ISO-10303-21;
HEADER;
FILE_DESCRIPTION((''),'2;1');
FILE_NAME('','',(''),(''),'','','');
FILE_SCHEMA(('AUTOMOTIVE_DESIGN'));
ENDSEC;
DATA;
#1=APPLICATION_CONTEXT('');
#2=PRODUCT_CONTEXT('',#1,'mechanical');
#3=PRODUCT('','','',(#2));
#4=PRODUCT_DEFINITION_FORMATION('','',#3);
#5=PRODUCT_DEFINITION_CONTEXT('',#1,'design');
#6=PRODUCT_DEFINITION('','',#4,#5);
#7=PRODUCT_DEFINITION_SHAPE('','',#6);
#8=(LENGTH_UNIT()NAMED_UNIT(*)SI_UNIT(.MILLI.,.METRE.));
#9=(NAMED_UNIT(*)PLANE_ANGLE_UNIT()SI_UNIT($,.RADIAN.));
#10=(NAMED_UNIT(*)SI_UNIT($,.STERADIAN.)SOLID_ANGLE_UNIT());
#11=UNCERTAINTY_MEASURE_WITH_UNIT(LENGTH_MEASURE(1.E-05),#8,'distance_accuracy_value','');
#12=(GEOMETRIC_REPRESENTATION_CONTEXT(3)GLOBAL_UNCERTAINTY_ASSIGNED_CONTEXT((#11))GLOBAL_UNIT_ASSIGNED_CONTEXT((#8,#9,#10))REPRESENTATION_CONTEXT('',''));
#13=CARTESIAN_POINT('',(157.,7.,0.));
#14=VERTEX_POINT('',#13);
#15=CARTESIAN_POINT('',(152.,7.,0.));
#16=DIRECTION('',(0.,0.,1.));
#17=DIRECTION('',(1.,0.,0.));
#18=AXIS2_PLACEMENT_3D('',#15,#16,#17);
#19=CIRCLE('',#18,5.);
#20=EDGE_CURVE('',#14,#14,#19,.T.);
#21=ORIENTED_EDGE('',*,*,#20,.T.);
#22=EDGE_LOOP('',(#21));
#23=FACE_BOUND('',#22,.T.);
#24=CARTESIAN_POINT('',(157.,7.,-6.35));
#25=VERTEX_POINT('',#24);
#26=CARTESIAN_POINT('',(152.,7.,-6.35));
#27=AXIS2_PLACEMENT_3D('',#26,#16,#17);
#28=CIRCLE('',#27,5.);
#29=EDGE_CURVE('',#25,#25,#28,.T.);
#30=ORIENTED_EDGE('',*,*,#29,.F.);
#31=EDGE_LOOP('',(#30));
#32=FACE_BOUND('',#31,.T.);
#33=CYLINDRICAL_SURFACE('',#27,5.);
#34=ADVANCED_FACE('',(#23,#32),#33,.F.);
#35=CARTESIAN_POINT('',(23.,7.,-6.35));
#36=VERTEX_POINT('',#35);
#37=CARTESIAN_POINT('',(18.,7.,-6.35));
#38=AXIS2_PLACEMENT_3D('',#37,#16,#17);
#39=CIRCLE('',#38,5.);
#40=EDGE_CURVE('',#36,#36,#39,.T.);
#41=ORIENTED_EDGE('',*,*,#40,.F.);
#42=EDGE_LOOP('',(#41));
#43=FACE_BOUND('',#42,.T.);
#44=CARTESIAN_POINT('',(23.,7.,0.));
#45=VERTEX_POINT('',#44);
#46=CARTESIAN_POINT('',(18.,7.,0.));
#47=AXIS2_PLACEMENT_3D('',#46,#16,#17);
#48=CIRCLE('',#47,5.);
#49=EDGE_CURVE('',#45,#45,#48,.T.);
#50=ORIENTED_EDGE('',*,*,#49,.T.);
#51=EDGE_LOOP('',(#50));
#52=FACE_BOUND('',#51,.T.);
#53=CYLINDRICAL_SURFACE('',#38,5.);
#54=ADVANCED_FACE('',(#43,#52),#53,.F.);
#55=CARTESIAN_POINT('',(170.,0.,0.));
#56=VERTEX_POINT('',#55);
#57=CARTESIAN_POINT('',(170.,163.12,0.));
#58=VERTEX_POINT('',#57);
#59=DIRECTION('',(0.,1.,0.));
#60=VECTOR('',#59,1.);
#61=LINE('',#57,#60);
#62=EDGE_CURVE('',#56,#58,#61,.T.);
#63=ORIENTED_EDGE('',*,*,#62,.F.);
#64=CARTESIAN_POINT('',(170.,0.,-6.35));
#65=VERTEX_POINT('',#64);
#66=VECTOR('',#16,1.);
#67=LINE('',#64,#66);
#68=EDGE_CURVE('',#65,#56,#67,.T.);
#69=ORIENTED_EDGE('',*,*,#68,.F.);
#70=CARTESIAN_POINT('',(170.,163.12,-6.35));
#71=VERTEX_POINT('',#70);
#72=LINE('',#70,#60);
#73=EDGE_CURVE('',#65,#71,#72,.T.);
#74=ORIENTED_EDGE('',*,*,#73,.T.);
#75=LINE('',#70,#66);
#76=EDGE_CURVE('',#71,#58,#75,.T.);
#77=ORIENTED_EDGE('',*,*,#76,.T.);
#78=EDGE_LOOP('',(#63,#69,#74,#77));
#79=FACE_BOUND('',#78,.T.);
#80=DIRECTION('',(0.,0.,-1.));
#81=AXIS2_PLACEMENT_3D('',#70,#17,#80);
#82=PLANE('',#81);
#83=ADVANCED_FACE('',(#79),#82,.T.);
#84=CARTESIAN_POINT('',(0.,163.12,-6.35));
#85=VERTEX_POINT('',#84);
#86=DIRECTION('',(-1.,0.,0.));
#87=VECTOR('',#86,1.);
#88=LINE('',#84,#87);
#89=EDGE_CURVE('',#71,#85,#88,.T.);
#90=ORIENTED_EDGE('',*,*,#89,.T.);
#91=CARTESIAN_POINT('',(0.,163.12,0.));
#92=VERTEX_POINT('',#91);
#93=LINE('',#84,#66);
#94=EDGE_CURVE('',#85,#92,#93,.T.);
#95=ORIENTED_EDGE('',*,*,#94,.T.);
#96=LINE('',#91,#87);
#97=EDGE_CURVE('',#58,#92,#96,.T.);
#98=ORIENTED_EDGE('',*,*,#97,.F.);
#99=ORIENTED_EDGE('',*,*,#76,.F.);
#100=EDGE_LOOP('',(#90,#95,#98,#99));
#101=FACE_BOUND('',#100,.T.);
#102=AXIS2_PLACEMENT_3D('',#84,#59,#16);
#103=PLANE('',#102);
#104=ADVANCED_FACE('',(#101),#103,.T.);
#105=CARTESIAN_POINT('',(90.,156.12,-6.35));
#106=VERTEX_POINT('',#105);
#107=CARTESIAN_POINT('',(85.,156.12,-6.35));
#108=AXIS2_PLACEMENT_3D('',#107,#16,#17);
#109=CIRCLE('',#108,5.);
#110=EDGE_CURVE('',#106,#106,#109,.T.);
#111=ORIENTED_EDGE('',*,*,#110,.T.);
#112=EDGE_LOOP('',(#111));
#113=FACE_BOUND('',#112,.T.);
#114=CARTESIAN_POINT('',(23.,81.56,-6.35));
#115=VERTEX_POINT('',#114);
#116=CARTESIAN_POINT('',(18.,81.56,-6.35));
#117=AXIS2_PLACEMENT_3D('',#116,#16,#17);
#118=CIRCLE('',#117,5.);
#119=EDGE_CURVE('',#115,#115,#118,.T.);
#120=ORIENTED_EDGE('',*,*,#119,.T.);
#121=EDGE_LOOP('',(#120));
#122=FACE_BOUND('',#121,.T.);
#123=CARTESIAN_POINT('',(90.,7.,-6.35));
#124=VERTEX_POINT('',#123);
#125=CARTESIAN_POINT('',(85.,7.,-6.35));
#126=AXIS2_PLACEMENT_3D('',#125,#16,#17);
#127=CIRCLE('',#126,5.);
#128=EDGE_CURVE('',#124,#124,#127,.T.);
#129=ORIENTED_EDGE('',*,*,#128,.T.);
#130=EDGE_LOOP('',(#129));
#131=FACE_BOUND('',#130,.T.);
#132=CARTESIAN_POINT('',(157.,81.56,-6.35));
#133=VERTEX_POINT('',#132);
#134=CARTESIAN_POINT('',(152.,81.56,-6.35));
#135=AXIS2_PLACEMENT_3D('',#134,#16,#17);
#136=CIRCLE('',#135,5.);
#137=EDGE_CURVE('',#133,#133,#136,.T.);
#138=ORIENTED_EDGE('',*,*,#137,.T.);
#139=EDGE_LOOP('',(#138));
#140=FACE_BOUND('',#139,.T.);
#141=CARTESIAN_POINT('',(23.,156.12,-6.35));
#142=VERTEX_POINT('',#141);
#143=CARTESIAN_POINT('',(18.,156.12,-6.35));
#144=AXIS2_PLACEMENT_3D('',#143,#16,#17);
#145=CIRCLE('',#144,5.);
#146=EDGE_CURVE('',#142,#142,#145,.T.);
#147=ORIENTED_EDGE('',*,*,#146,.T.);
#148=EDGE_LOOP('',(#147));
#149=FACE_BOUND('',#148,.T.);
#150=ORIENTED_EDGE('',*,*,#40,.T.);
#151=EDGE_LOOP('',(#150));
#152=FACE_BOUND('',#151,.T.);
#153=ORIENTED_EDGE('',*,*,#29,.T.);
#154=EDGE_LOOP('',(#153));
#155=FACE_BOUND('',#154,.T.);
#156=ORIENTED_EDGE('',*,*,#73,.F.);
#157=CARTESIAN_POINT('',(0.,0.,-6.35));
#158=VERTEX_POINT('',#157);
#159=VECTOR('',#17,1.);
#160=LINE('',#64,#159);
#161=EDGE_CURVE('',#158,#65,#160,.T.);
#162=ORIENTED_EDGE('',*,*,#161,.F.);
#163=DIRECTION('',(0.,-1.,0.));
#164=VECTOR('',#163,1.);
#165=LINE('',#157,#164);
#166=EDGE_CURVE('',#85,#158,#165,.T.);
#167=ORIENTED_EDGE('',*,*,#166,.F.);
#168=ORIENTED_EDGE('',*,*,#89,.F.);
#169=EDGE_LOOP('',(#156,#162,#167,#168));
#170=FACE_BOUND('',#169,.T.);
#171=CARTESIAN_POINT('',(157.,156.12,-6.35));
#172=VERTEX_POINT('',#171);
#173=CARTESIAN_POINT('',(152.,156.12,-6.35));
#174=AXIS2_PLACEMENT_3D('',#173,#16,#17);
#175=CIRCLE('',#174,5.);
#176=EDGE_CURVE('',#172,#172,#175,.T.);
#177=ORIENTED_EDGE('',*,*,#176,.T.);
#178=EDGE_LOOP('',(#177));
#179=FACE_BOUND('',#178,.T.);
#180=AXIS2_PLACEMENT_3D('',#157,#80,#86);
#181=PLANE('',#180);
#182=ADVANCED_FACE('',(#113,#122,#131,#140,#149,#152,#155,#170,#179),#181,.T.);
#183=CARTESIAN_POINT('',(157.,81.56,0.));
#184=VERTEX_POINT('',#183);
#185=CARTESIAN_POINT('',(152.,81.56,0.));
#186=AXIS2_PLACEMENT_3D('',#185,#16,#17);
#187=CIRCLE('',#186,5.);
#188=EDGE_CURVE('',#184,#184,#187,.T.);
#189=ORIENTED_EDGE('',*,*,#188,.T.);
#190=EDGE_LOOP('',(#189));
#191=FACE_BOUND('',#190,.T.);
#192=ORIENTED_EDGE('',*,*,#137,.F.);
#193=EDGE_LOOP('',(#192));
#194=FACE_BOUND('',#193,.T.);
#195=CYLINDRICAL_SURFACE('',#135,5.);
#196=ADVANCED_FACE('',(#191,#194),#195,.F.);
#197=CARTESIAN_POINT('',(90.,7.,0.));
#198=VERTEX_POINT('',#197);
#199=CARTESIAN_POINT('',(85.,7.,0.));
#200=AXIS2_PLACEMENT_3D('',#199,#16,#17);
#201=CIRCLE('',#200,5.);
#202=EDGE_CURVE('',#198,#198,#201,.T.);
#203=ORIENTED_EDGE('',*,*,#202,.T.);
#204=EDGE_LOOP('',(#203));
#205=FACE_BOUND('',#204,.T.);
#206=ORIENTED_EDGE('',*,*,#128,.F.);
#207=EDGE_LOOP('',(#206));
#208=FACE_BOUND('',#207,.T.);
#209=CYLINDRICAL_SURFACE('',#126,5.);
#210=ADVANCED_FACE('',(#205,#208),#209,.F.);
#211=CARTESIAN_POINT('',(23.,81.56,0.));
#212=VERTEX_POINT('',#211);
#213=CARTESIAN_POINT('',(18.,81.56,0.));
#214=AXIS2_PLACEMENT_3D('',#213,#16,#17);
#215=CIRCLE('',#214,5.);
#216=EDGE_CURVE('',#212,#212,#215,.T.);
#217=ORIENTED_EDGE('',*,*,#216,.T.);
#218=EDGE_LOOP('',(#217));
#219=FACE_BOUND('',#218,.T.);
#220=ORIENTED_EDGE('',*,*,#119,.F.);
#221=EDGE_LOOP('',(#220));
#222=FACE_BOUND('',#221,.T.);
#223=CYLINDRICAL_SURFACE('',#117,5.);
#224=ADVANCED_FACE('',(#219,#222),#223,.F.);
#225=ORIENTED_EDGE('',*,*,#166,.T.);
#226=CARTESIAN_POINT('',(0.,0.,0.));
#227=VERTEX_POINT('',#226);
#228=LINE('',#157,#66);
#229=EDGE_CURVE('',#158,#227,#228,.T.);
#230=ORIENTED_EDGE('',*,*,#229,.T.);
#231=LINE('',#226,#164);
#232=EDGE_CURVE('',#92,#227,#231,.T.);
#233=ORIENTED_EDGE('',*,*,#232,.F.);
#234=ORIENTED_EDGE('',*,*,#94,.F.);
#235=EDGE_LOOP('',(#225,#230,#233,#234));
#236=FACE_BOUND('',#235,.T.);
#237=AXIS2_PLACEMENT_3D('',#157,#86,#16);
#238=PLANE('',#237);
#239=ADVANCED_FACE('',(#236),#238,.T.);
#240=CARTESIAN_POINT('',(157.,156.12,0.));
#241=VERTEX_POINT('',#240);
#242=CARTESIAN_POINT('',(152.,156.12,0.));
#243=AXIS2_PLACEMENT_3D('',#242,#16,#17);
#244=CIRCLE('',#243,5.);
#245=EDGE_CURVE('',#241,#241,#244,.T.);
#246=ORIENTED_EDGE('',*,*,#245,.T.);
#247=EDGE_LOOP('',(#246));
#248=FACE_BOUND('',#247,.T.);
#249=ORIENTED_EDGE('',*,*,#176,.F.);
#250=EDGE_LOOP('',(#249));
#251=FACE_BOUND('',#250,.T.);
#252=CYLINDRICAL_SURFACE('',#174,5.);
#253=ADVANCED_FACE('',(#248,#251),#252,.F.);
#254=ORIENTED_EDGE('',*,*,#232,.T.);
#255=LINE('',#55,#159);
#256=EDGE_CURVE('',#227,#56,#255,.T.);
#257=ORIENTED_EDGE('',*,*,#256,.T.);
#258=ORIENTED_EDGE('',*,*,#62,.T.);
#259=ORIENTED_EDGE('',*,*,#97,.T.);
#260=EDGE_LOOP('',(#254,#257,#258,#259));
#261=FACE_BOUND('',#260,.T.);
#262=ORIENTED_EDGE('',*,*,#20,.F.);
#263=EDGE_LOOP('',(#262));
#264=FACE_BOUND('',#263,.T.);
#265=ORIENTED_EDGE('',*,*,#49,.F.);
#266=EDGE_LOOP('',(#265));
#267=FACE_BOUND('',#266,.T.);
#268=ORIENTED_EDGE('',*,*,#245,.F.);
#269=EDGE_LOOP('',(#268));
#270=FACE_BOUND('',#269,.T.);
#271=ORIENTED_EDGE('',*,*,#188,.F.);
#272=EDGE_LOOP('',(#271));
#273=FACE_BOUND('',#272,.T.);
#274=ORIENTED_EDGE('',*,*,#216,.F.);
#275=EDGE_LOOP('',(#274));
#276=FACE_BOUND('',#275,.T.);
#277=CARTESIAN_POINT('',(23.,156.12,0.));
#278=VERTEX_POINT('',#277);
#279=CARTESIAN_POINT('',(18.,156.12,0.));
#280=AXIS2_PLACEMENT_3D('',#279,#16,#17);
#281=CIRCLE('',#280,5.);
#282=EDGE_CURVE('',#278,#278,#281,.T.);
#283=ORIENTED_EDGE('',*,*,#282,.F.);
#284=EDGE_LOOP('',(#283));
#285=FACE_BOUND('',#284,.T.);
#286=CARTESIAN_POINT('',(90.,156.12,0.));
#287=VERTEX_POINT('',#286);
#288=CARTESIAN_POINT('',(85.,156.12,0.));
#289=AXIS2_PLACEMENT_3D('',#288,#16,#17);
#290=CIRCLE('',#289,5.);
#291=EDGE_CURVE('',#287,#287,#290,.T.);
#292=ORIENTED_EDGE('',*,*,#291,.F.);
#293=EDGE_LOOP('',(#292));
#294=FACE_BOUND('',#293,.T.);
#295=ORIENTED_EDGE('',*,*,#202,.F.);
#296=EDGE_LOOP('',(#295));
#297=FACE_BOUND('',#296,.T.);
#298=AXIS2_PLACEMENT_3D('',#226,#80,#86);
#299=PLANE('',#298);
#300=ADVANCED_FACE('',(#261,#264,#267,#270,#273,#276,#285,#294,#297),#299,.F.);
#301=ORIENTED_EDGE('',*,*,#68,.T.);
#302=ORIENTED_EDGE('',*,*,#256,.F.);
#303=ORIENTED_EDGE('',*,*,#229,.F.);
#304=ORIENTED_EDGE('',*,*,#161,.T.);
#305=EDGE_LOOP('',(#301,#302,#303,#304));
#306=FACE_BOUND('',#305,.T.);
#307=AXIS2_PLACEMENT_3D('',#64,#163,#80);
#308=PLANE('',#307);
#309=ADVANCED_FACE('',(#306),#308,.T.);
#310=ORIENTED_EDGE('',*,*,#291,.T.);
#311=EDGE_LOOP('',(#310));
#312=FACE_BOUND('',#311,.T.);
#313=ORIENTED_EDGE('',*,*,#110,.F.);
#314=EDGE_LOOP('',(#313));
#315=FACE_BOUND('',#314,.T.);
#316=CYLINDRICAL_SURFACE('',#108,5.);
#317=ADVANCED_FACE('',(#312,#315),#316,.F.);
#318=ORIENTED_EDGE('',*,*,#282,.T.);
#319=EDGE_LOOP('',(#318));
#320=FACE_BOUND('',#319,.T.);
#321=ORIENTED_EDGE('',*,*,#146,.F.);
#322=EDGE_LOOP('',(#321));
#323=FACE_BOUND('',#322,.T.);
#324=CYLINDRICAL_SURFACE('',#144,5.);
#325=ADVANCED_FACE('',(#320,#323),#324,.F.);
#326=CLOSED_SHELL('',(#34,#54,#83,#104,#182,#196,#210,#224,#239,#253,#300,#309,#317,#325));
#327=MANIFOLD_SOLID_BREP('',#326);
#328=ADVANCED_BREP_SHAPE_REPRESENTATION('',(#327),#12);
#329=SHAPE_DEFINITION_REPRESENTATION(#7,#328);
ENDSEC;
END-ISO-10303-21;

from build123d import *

# Parameters (mm, degrees)
SKETCH1_W           = 170
SKETCH1_H           = 163.12
SKETCH1_R           = 5
BOSS_EXTRUDE1_DEPTH = 6.35


with BuildPart() as part:
    # Sketch1 → Boss-Extrude1 (new body)
    with BuildSketch(Plane.XY):
        with Locations((85, 81.56)):
            Rectangle(SKETCH1_W, SKETCH1_H)
        with Locations((85, 7)):
            Circle(SKETCH1_R, mode=Mode.SUBTRACT)
        with Locations((152, 7)):
            Circle(SKETCH1_R, mode=Mode.SUBTRACT)
        with Locations((18, 7)):
            Circle(SKETCH1_R, mode=Mode.SUBTRACT)
        with Locations((18, 81.56)):
            Circle(SKETCH1_R, mode=Mode.SUBTRACT)
        with Locations((18, 156.12)):
            Circle(SKETCH1_R, mode=Mode.SUBTRACT)
        with Locations((152, 81.56)):
            Circle(SKETCH1_R, mode=Mode.SUBTRACT)
        with Locations((152, 156.12)):
            Circle(SKETCH1_R, mode=Mode.SUBTRACT)
        with Locations((85, 156.12)):
            Circle(SKETCH1_R, mode=Mode.SUBTRACT)
    extrude(amount=-BOSS_EXTRUDE1_DEPTH)


solid = part.part
